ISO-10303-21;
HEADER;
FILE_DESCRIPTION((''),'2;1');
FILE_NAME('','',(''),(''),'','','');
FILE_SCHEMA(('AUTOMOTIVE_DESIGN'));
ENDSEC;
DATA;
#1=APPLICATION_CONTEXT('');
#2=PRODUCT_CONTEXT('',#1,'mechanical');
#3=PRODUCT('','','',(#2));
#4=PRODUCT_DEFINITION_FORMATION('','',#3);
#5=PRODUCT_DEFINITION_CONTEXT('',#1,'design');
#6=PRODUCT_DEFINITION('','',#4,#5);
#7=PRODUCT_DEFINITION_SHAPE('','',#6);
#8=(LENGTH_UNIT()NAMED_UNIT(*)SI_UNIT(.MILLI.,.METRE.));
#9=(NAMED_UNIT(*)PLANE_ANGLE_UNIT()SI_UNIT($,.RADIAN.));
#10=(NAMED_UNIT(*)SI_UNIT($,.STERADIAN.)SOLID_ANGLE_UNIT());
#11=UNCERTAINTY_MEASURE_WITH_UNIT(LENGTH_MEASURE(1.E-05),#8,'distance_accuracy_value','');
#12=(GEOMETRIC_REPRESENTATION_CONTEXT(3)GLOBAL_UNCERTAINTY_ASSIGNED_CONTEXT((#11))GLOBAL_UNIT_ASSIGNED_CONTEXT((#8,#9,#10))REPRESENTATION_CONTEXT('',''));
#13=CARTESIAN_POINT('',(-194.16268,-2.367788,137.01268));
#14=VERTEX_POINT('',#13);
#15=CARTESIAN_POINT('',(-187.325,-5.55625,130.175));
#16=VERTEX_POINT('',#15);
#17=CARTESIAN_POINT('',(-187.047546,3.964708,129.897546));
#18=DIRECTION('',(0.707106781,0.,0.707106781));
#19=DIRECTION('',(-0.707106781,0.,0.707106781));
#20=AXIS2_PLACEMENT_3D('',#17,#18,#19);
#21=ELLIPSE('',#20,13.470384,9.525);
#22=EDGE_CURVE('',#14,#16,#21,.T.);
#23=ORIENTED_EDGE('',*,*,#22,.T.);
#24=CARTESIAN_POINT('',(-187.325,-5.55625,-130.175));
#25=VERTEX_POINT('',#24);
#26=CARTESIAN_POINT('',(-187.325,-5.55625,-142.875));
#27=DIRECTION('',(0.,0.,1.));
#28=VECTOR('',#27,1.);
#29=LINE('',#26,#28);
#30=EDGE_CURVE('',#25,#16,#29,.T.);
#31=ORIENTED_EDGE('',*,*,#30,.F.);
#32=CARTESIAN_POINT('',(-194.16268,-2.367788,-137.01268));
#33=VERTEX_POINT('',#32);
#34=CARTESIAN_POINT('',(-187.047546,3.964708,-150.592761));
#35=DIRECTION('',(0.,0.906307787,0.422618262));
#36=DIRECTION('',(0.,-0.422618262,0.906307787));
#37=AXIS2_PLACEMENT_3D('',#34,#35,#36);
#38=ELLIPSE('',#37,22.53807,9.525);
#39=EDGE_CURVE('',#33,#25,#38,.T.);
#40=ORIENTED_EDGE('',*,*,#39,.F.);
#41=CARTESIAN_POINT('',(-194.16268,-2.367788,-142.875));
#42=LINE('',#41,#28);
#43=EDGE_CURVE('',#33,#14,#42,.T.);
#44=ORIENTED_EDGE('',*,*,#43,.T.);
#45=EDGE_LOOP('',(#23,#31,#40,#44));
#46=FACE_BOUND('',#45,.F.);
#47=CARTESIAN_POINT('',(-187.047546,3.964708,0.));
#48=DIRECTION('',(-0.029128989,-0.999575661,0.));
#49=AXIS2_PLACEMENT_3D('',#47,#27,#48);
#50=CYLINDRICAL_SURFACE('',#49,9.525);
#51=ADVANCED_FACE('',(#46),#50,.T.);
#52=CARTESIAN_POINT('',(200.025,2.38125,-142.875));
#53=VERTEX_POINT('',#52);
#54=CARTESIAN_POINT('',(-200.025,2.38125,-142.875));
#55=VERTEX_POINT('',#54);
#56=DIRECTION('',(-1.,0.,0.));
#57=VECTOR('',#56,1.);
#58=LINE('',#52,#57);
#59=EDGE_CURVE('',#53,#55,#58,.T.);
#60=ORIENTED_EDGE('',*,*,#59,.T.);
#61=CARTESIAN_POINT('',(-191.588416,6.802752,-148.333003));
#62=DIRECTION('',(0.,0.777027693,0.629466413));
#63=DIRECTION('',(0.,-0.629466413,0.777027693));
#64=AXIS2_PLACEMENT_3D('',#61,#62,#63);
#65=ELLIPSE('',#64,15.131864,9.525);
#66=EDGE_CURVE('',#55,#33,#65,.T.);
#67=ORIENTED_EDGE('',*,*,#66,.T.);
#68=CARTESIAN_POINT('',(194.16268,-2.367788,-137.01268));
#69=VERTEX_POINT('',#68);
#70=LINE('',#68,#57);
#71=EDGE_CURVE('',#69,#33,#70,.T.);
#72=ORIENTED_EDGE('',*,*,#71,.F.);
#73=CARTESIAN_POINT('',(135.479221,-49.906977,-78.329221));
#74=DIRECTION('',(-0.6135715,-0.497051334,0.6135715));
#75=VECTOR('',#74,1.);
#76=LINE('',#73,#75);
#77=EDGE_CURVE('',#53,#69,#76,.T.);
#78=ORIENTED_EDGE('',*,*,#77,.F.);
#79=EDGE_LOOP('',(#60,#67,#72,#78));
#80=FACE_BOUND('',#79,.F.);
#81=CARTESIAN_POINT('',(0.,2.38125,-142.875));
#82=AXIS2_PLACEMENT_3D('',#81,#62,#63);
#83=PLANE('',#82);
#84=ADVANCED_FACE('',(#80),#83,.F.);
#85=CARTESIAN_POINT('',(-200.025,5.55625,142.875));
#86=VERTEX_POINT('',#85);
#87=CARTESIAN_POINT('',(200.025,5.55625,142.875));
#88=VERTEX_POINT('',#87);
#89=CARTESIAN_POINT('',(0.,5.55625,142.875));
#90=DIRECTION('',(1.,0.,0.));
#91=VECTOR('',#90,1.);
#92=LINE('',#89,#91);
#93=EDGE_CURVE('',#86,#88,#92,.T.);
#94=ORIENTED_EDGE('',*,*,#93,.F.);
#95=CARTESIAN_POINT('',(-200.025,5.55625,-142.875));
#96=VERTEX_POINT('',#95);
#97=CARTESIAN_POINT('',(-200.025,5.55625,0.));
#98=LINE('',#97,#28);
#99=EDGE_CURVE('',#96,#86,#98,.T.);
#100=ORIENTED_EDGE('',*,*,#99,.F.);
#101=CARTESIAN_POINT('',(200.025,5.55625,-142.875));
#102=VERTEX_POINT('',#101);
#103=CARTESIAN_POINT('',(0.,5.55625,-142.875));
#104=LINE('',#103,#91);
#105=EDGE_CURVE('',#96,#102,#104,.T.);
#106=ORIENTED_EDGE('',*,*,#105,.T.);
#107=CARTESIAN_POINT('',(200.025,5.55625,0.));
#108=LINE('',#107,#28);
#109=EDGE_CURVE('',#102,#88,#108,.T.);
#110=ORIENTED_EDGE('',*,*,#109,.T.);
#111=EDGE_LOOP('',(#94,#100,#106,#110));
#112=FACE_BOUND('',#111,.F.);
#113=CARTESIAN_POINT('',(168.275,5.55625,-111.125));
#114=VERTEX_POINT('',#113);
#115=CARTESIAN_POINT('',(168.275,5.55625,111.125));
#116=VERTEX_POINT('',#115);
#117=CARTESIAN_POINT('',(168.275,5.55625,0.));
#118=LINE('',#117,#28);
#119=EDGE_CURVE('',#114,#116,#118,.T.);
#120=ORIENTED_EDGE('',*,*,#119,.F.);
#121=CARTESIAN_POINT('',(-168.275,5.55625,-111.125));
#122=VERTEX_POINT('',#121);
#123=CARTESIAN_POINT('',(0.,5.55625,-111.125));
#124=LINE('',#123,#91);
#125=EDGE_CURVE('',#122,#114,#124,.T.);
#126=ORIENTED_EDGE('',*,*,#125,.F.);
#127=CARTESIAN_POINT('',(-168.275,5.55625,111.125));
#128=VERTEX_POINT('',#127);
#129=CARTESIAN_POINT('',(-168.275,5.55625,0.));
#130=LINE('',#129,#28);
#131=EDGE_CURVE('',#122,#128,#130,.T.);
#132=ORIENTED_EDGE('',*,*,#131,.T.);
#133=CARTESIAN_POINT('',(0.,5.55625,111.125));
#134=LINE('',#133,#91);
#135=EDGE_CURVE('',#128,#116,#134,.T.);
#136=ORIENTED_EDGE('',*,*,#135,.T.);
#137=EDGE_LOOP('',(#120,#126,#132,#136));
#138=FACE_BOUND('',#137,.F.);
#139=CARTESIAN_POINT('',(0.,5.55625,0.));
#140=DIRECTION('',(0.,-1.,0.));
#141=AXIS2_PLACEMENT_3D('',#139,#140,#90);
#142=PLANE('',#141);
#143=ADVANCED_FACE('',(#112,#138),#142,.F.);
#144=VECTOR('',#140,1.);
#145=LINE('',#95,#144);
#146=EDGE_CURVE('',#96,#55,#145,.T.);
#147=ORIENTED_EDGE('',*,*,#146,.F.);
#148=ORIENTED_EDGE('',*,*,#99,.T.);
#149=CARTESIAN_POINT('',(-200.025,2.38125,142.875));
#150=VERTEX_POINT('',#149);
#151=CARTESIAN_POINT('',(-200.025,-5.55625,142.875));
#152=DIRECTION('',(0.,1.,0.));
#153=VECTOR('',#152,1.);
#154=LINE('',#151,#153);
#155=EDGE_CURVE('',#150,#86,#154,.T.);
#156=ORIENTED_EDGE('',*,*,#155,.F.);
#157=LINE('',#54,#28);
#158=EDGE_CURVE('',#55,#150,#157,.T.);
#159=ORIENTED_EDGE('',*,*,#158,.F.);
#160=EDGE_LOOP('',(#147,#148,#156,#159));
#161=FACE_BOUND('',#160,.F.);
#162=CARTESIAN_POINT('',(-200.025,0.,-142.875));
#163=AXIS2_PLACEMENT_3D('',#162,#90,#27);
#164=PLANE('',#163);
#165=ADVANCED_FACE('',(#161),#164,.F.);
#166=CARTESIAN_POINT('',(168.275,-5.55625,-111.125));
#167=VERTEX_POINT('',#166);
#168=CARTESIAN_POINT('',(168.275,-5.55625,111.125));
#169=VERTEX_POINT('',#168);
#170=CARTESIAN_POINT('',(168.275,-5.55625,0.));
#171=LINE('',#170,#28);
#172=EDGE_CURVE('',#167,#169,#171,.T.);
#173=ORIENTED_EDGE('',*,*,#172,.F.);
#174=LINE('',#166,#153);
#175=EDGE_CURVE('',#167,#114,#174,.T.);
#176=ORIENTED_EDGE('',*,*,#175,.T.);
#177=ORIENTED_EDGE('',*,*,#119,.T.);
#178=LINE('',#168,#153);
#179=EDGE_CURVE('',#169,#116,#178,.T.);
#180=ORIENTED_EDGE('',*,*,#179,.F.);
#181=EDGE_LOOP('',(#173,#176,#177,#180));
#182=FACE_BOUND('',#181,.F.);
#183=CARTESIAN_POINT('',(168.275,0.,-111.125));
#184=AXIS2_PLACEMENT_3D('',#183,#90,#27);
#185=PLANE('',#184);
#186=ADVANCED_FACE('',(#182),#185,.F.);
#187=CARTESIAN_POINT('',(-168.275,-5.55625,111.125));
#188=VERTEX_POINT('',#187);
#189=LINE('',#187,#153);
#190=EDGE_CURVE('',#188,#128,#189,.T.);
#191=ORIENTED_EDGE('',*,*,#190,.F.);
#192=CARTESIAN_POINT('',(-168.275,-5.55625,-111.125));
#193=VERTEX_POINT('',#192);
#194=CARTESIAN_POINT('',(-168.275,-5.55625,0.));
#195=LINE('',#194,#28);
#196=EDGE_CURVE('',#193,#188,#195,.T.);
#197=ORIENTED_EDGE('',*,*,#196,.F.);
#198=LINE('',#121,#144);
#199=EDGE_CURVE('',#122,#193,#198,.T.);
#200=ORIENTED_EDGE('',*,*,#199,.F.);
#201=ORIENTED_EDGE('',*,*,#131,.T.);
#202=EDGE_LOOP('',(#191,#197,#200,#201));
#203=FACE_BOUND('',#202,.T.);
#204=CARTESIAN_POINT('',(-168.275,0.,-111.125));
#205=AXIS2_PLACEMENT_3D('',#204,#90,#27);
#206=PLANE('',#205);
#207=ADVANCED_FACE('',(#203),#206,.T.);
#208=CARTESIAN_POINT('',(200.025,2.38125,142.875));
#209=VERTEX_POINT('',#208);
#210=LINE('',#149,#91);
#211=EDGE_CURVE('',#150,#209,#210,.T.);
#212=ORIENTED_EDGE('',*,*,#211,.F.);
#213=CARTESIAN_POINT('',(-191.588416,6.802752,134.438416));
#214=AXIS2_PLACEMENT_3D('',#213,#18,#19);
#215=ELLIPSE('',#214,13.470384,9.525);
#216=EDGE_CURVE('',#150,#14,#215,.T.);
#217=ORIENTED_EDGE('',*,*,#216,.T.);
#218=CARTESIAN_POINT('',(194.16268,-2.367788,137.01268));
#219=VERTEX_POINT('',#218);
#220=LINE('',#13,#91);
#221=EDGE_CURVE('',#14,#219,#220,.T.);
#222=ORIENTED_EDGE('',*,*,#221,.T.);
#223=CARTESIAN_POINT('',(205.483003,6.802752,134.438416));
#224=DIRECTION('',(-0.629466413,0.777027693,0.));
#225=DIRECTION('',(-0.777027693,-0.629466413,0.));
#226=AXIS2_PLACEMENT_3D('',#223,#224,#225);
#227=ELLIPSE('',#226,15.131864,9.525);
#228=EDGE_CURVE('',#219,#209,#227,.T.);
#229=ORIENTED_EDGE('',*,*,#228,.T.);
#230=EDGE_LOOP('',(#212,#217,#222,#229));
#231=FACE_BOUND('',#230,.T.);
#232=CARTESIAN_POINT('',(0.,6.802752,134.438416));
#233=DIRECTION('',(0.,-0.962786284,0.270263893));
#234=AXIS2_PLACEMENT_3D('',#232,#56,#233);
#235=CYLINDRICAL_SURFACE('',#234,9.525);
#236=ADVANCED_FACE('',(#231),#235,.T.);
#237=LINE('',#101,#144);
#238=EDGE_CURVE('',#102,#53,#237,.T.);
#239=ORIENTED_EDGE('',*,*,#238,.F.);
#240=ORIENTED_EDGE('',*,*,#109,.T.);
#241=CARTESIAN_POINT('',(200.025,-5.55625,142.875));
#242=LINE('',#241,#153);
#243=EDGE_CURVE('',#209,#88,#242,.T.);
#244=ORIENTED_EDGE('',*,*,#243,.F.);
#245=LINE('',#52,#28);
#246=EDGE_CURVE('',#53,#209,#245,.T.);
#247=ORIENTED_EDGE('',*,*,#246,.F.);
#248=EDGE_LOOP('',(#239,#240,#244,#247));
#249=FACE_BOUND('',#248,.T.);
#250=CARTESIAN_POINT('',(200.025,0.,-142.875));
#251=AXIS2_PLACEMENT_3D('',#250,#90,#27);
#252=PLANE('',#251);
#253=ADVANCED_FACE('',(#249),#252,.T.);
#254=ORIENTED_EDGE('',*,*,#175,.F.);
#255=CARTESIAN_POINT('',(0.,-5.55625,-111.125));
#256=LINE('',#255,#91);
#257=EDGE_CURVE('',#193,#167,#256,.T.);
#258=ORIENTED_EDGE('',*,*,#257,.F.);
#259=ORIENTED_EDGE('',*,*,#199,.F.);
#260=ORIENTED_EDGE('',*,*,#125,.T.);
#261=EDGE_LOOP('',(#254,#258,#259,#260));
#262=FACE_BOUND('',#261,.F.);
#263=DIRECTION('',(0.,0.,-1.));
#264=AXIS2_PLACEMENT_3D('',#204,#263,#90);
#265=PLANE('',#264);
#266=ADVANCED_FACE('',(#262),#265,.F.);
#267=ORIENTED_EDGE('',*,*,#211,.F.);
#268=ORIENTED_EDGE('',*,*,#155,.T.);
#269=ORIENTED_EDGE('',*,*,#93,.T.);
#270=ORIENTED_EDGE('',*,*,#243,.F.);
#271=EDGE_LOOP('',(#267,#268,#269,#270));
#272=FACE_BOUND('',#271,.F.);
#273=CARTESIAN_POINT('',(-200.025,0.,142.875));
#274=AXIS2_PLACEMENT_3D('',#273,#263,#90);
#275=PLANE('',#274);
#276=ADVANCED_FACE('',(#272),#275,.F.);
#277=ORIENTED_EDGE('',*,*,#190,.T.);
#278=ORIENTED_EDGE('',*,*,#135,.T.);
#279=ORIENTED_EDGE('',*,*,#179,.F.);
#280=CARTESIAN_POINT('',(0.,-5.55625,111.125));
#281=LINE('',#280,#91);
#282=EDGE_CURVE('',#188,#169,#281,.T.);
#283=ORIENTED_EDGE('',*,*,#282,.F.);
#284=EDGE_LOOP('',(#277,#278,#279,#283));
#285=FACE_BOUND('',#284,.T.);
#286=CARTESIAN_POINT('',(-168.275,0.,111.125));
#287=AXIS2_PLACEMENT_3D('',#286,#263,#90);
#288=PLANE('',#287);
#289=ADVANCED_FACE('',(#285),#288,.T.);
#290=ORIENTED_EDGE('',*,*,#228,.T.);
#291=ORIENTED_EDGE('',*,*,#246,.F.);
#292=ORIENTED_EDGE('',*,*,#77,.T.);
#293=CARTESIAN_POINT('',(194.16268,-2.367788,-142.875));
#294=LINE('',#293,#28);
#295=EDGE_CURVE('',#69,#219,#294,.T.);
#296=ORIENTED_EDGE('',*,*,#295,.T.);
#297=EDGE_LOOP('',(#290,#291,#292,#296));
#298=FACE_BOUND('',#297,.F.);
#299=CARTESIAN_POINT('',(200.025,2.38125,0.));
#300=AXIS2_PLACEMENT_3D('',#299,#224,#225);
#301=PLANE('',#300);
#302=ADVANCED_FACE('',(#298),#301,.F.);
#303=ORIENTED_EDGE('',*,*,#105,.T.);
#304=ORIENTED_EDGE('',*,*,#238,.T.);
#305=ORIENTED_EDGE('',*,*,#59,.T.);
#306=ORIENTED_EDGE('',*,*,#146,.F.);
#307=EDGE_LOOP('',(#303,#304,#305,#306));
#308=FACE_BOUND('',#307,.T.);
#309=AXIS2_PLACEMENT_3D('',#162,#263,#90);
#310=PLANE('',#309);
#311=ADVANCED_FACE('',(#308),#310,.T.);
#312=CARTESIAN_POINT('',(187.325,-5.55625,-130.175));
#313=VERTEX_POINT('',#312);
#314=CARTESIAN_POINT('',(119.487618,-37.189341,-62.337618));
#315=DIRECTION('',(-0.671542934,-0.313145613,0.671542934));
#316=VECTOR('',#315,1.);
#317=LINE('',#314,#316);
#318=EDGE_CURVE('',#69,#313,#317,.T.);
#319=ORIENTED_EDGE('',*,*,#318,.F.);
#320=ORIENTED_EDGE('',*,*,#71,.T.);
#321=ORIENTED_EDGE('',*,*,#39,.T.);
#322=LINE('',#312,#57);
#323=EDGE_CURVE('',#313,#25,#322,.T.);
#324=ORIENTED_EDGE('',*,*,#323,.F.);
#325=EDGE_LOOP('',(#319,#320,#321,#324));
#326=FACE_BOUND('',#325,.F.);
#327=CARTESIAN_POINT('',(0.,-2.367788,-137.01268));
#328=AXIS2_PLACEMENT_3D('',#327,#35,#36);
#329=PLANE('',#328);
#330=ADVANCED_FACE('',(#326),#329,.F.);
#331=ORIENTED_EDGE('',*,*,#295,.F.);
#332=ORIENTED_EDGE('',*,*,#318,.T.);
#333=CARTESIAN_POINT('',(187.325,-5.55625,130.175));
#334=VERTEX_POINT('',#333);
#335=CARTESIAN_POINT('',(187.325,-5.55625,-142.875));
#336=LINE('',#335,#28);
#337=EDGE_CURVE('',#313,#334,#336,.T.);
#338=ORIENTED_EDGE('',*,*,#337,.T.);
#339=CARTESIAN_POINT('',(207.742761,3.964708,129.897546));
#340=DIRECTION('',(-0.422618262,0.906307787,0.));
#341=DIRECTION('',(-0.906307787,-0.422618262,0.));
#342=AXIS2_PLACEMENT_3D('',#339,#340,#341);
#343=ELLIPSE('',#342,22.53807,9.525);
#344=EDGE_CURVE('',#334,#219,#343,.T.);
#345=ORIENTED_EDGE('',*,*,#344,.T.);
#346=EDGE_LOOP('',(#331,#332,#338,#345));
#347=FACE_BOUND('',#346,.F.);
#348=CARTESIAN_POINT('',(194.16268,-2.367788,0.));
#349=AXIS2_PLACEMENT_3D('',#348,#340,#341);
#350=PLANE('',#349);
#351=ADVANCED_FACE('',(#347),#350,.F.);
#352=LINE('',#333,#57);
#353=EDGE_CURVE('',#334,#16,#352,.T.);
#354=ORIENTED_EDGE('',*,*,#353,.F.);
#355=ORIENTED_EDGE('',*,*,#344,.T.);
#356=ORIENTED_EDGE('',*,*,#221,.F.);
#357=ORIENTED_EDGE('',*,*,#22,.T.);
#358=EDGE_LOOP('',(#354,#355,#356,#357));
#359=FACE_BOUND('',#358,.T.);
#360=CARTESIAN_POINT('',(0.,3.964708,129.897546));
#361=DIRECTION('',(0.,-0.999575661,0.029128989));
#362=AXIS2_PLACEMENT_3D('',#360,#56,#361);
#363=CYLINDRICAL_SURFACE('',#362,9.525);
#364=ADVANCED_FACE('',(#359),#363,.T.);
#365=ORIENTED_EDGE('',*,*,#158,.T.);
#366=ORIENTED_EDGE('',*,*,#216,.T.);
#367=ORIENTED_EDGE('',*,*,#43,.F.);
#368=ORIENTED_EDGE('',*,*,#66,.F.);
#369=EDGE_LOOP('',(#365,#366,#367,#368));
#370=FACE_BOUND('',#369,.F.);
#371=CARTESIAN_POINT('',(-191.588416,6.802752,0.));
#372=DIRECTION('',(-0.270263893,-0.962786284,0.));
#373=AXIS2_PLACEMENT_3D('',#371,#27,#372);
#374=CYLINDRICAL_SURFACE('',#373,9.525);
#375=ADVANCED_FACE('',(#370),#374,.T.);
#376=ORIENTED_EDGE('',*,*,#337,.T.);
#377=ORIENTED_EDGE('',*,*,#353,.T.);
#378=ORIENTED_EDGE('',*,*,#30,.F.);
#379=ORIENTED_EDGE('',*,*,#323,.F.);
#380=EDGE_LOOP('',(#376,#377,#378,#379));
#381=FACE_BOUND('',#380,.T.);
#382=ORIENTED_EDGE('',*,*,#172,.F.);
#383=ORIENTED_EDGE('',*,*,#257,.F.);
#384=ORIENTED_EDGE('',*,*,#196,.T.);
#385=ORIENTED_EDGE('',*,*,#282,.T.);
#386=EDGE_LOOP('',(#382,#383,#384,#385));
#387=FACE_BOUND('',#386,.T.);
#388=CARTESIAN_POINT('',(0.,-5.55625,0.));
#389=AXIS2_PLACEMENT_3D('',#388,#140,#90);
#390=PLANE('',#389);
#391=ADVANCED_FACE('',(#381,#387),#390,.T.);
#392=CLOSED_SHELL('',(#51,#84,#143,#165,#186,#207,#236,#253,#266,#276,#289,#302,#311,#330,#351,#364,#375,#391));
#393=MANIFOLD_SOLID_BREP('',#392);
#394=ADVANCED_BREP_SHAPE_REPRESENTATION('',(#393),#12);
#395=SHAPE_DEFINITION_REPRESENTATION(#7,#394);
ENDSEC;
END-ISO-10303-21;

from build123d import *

# Parameters (mm, degrees)
F0_W          = 400.05
F0_H          = 285.75
F0_W_2        = 336.55
F0_H_2        = 222.25
F1_DEPTH      = 5.55625
F3_DEPTH      = 142.876
F3_DEPTH_BACK = 142.876
F5_DEPTH      = 200.026
F5_DEPTH_BACK = 200.026


with BuildPart() as f1:
    # F0 (on Front) → F1 (new body, symmetric)
    with BuildSketch(Plane.XZ):
        Rectangle(F0_W, F0_H)
        Rectangle(F0_W_2, F0_H_2, mode=Mode.SUBTRACT)
    extrude(amount=F1_DEPTH, both=True)

    # F2 (on Top) → F3 (cut, two sides)
    with BuildSketch(Plane.XY) as f3_sk:
        with BuildLine():
            ThreePointArc((-187.325, -5.55625), (-191.0729853256, -4.6678735007), (-194.1626797348, -2.3677875757))
            ThreePointArc((-194.1626797348, -2.3677875757), (-197.5840837344, -0.5984369952), (-200.025, 2.38125))
            Line((-200.025, 2.38125), (-200.025, -5.55625))
            Line((-200.025, -5.55625), (-187.325, -5.55625))
        make_face()
        with BuildLine():
            Line((194.1626797348, -2.3677875757), (187.325, -5.55625))
            ThreePointArc((187.325, -5.55625), (191.0729853256, -4.6678735007), (194.1626797348, -2.3677875757))
        make_face()
        with BuildLine():
            ThreePointArc((194.1626797348, -2.3677875757), (191.0729853256, -4.6678735007), (187.325, -5.55625))
            Line((187.325, -5.55625), (200.025, -5.55625))
            Line((200.025, -5.55625), (200.025, 2.38125))
            ThreePointArc((200.025, 2.38125), (197.5840837344, -0.5984369952), (194.1626797348, -2.3677875757))
        make_face()
        with BuildLine():
            Line((200.025, 2.38125), (194.1626797348, -2.3677875757))
            ThreePointArc((194.1626797348, -2.3677875757), (197.5840837344, -0.5984369952), (200.025, 2.38125))
        make_face()
    extrude(amount=-F3_DEPTH, mode=Mode.SUBTRACT)
    extrude(f3_sk.sketch, amount=F3_DEPTH_BACK, mode=Mode.SUBTRACT)

    # F4 (on Right) → F5 (cut, two sides)
    with BuildSketch(Plane.YZ) as f5_sk:
        with BuildLine():
            Line((-5.55625, 142.875), (-5.55625, 130.175))
            ThreePointArc((-5.55625, 130.175), (-4.6678735007, 133.9229853256), (-2.3677875757, 137.0126797348))
            ThreePointArc((-2.3677875757, 137.0126797348), (-0.5984369952, 140.4340837344), (2.38125, 142.875))
            Line((2.38125, 142.875), (-5.55625, 142.875))
        make_face()
        with BuildLine():
            ThreePointArc((-2.3677875757, -137.0126797348), (-4.6678735007, -133.9229853256), (-5.55625, -130.175))
            Line((-5.55625, -130.175), (-5.55625, -142.875))
            Line((-5.55625, -142.875), (2.38125, -142.875))
            ThreePointArc((2.38125, -142.875), (-0.5984369952, -140.4340837344), (-2.3677875757, -137.0126797348))
        make_face()
        with BuildLine():
            Line((-2.3677875757, -137.0126797348), (-5.55625, -130.175))
            ThreePointArc((-5.55625, -130.175), (-4.6678735007, -133.9229853256), (-2.3677875757, -137.0126797348))
        make_face()
        with BuildLine():
            Line((2.38125, -142.875), (-2.3677875757, -137.0126797348))
            ThreePointArc((-2.3677875757, -137.0126797348), (-0.5984369952, -140.4340837344), (2.38125, -142.875))
        make_face()
    extrude(amount=-F5_DEPTH, mode=Mode.SUBTRACT)
    extrude(f5_sk.sketch, amount=F5_DEPTH_BACK, mode=Mode.SUBTRACT)


solid = f1.part
